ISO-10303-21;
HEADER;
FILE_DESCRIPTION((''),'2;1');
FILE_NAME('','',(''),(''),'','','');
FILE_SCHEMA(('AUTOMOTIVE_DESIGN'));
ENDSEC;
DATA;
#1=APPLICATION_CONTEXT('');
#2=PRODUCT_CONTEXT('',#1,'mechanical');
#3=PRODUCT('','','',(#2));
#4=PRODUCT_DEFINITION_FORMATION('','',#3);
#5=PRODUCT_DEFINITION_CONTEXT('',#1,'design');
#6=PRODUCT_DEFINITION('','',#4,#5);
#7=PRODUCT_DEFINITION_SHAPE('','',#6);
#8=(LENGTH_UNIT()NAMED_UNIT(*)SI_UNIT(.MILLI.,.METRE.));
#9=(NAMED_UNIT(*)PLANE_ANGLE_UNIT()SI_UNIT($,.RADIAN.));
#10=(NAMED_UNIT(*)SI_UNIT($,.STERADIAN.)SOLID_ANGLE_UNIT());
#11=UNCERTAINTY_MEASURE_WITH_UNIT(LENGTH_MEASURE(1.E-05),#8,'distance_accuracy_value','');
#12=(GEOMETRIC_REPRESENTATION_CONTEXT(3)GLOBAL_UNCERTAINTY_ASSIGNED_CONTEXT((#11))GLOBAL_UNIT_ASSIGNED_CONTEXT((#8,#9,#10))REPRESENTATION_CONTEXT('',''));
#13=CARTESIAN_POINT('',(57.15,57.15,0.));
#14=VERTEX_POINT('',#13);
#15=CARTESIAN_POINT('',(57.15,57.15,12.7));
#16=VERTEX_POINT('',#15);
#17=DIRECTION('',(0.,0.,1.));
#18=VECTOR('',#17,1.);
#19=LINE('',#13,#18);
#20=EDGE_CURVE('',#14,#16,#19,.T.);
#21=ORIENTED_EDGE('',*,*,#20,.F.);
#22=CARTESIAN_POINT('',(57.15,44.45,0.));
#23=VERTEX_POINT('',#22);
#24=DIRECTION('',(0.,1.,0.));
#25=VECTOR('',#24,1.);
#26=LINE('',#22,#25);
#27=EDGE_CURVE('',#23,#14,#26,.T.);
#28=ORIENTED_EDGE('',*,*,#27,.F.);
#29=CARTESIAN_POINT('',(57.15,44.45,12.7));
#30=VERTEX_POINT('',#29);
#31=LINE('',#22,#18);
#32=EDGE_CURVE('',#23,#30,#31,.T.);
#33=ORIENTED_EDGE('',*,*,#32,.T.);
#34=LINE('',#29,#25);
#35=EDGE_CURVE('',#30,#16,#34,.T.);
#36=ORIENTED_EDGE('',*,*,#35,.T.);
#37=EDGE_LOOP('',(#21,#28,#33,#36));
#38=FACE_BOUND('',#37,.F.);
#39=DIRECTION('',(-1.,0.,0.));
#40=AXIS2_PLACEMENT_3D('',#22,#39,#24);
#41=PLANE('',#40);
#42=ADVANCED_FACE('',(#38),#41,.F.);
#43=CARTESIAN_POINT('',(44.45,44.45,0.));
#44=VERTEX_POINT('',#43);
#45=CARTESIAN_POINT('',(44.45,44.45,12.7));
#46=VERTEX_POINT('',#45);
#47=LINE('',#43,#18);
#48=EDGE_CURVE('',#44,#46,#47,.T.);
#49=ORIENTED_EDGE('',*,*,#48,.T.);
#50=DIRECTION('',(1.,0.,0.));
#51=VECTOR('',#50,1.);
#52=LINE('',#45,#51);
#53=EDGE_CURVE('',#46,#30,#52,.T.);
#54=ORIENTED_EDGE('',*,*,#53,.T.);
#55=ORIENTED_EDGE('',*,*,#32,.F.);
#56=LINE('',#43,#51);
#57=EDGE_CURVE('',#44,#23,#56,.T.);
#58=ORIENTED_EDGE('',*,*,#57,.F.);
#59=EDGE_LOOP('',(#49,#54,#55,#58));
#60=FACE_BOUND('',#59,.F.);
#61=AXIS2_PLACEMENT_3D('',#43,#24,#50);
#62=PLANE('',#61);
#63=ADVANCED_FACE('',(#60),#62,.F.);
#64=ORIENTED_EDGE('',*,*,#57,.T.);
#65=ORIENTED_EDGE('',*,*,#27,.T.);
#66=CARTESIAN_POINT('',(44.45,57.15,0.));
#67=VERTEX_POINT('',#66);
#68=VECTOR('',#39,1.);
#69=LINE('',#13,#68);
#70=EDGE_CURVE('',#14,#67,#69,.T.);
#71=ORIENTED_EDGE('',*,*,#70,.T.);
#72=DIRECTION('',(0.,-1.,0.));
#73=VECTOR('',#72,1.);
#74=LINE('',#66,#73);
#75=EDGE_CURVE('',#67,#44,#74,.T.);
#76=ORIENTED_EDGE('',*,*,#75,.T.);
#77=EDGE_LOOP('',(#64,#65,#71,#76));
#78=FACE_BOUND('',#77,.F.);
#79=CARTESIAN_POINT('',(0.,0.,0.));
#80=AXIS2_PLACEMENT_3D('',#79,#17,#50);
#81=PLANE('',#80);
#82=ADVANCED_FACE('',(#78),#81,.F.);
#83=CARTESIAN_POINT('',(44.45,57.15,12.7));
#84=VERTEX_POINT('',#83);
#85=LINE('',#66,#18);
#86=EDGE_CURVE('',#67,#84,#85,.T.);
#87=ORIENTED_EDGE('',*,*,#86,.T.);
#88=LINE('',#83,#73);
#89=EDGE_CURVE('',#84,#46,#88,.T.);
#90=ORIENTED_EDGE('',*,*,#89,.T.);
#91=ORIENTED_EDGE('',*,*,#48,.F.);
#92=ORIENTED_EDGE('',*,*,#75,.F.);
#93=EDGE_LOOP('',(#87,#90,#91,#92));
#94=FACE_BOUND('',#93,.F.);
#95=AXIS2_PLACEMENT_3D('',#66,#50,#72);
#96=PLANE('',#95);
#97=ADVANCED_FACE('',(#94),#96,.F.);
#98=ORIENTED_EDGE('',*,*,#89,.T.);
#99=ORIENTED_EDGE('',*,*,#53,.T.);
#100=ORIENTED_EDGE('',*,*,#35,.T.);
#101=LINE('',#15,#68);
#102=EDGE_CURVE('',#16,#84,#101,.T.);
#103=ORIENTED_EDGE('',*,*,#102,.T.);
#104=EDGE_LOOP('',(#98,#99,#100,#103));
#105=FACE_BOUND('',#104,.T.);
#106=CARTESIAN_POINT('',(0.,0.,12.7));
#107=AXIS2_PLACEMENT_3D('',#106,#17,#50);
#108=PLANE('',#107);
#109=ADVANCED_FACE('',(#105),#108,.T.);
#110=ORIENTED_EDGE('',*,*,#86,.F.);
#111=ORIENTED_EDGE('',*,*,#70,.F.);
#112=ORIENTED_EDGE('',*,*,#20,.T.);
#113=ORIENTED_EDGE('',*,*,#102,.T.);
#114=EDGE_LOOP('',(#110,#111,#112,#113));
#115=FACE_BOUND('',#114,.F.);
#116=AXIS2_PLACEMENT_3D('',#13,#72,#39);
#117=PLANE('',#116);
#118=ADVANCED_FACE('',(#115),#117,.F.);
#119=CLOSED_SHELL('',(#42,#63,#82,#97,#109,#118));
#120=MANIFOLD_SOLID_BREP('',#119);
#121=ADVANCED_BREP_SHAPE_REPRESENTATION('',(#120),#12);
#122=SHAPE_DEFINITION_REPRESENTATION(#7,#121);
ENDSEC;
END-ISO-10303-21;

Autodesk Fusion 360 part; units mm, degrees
sketch "Sketch1" plane through (0, 0, 0) normal (0, 0, 1) x (1, 0, 0)
  line L0 (0, 0) -> (101.6, 0)
  line L1 (101.6, 0) -> (101.6, 101.6)
  line L2 (101.6, 101.6) -> (0, 101.6)
  line L3 (0, 101.6) -> (0, 0)
  line L4 (50.8, 0) -> (50.8, 50.8) construction
  line L5 (57.15, 57.15) -> (44.45, 57.15)
  line L6 (44.45, 57.15) -> (44.45, 44.45)
  line L7 (44.45, 44.45) -> (57.15, 44.45)
  line L8 (57.15, 44.45) -> (57.15, 57.15)
  line L9 (57.15, 57.15) -> (44.45, 44.45) construction
  line L10 (44.45, 57.15) -> (57.15, 44.45) construction
  line L11 (31.0753, 74.0973) -> (70.4547, 74.0973) construction
  line L12 (70.4547, 74.0973) -> (70.4547, 62.0849) construction
  line L13 (70.4547, 62.0849) -> (31.0753, 62.0849) construction
  line L14 (31.0753, 62.0849) -> (31.0753, 74.0973) construction
  point P0 (50.8, 50.8)
  dimension "d1" = 101.6
  dimension "d2" = 101.6
  dimension "d3" = 50.8
  dimension "d4" = 12.7
  dimension "d5" = 12.7
  dimension "d6" = 2.54
sketch "Sketch2" plane through (0, 0, 0) normal (0, 0, 1) x (1, 0, 0)
sketch "Sketch3" plane through (0, 0, 0) normal (1, 0, 0) x (0, 1, 0)
  line L0 (0, 0) -> (101.6, 0)
  line L1 (101.6, 0) -> (101.6, 101.6)
  line L2 (101.6, 101.6) -> (0, 101.6)
  line L3 (0, 101.6) -> (0, 0)
  circle A0 centre (25.4, 63.5) radius 5.334
  line L4 (44.1613, 71.5131) -> (6.879, 71.5131) construction
  line L5 (6.879, 71.5131) -> (6.879, 79.4179) construction
  line L6 (6.879, 79.4179) -> (44.1613, 79.4179) construction
  line L7 (44.1613, 79.4179) -> (44.1613, 71.5131) construction
  line L8 (0, 63.5) -> (25.4, 63.5) construction
  line L9 (25.4, 63.5) -> (25.4, 0) construction
  dimension "d7" = 101.6
  dimension "d8" = 101.6
  dimension "d10" = 10.668
  dimension "d11" = 2.54
  dimension "d22" = 25.4
  dimension "d24" = 63.5
ref_plane "WorkPlane1" through (101.6, 50.8, 50.8) normal (1, 0, 0) x (0, 1, 0)
sketch "Sketch4" plane through (101.6, 50.8, 50.8) normal (1, 0, 0) x (0, 1, 0)
  line L0 (-50.8, -50.8) -> (50.8, -50.8)
  line L1 (50.8, -50.8) -> (50.8, 50.8)
  line L2 (50.8, 50.8) -> (-50.8, 50.8)
  line L3 (-50.8, 50.8) -> (-50.8, -50.8)
  line L4 (50.8, -50.8) -> (50.8, -25.4) construction
  circle A0 centre (25.4, 12.7) radius 5.08
  line L5 (5.853, 20.4085) -> (45.1217, 20.4616) construction
  line L6 (45.1217, 20.4616) -> (45.1056, 32.3635) construction
  line L7 (45.1056, 32.3635) -> (5.8369, 32.3104) construction
  line L8 (5.8369, 32.3104) -> (5.853, 20.4085) construction
  line L9 (25.4, 12.7) -> (50.8, 12.7) construction
  line L10 (25.4, 12.7) -> (25.4, -50.8) construction
  point P0 (-50.8, -50.8)
  dimension "d13" = 101.6
  dimension "d14" = 101.6
  dimension "d17" = 10.16
  dimension "d18" = 2.54
  dimension "d25" = 63.5
  dimension "d26" = 25.4
extrude "Extrude1" add sketch "Sketch1" along normal blind 12.7 contours L5 L6 L7 L8
